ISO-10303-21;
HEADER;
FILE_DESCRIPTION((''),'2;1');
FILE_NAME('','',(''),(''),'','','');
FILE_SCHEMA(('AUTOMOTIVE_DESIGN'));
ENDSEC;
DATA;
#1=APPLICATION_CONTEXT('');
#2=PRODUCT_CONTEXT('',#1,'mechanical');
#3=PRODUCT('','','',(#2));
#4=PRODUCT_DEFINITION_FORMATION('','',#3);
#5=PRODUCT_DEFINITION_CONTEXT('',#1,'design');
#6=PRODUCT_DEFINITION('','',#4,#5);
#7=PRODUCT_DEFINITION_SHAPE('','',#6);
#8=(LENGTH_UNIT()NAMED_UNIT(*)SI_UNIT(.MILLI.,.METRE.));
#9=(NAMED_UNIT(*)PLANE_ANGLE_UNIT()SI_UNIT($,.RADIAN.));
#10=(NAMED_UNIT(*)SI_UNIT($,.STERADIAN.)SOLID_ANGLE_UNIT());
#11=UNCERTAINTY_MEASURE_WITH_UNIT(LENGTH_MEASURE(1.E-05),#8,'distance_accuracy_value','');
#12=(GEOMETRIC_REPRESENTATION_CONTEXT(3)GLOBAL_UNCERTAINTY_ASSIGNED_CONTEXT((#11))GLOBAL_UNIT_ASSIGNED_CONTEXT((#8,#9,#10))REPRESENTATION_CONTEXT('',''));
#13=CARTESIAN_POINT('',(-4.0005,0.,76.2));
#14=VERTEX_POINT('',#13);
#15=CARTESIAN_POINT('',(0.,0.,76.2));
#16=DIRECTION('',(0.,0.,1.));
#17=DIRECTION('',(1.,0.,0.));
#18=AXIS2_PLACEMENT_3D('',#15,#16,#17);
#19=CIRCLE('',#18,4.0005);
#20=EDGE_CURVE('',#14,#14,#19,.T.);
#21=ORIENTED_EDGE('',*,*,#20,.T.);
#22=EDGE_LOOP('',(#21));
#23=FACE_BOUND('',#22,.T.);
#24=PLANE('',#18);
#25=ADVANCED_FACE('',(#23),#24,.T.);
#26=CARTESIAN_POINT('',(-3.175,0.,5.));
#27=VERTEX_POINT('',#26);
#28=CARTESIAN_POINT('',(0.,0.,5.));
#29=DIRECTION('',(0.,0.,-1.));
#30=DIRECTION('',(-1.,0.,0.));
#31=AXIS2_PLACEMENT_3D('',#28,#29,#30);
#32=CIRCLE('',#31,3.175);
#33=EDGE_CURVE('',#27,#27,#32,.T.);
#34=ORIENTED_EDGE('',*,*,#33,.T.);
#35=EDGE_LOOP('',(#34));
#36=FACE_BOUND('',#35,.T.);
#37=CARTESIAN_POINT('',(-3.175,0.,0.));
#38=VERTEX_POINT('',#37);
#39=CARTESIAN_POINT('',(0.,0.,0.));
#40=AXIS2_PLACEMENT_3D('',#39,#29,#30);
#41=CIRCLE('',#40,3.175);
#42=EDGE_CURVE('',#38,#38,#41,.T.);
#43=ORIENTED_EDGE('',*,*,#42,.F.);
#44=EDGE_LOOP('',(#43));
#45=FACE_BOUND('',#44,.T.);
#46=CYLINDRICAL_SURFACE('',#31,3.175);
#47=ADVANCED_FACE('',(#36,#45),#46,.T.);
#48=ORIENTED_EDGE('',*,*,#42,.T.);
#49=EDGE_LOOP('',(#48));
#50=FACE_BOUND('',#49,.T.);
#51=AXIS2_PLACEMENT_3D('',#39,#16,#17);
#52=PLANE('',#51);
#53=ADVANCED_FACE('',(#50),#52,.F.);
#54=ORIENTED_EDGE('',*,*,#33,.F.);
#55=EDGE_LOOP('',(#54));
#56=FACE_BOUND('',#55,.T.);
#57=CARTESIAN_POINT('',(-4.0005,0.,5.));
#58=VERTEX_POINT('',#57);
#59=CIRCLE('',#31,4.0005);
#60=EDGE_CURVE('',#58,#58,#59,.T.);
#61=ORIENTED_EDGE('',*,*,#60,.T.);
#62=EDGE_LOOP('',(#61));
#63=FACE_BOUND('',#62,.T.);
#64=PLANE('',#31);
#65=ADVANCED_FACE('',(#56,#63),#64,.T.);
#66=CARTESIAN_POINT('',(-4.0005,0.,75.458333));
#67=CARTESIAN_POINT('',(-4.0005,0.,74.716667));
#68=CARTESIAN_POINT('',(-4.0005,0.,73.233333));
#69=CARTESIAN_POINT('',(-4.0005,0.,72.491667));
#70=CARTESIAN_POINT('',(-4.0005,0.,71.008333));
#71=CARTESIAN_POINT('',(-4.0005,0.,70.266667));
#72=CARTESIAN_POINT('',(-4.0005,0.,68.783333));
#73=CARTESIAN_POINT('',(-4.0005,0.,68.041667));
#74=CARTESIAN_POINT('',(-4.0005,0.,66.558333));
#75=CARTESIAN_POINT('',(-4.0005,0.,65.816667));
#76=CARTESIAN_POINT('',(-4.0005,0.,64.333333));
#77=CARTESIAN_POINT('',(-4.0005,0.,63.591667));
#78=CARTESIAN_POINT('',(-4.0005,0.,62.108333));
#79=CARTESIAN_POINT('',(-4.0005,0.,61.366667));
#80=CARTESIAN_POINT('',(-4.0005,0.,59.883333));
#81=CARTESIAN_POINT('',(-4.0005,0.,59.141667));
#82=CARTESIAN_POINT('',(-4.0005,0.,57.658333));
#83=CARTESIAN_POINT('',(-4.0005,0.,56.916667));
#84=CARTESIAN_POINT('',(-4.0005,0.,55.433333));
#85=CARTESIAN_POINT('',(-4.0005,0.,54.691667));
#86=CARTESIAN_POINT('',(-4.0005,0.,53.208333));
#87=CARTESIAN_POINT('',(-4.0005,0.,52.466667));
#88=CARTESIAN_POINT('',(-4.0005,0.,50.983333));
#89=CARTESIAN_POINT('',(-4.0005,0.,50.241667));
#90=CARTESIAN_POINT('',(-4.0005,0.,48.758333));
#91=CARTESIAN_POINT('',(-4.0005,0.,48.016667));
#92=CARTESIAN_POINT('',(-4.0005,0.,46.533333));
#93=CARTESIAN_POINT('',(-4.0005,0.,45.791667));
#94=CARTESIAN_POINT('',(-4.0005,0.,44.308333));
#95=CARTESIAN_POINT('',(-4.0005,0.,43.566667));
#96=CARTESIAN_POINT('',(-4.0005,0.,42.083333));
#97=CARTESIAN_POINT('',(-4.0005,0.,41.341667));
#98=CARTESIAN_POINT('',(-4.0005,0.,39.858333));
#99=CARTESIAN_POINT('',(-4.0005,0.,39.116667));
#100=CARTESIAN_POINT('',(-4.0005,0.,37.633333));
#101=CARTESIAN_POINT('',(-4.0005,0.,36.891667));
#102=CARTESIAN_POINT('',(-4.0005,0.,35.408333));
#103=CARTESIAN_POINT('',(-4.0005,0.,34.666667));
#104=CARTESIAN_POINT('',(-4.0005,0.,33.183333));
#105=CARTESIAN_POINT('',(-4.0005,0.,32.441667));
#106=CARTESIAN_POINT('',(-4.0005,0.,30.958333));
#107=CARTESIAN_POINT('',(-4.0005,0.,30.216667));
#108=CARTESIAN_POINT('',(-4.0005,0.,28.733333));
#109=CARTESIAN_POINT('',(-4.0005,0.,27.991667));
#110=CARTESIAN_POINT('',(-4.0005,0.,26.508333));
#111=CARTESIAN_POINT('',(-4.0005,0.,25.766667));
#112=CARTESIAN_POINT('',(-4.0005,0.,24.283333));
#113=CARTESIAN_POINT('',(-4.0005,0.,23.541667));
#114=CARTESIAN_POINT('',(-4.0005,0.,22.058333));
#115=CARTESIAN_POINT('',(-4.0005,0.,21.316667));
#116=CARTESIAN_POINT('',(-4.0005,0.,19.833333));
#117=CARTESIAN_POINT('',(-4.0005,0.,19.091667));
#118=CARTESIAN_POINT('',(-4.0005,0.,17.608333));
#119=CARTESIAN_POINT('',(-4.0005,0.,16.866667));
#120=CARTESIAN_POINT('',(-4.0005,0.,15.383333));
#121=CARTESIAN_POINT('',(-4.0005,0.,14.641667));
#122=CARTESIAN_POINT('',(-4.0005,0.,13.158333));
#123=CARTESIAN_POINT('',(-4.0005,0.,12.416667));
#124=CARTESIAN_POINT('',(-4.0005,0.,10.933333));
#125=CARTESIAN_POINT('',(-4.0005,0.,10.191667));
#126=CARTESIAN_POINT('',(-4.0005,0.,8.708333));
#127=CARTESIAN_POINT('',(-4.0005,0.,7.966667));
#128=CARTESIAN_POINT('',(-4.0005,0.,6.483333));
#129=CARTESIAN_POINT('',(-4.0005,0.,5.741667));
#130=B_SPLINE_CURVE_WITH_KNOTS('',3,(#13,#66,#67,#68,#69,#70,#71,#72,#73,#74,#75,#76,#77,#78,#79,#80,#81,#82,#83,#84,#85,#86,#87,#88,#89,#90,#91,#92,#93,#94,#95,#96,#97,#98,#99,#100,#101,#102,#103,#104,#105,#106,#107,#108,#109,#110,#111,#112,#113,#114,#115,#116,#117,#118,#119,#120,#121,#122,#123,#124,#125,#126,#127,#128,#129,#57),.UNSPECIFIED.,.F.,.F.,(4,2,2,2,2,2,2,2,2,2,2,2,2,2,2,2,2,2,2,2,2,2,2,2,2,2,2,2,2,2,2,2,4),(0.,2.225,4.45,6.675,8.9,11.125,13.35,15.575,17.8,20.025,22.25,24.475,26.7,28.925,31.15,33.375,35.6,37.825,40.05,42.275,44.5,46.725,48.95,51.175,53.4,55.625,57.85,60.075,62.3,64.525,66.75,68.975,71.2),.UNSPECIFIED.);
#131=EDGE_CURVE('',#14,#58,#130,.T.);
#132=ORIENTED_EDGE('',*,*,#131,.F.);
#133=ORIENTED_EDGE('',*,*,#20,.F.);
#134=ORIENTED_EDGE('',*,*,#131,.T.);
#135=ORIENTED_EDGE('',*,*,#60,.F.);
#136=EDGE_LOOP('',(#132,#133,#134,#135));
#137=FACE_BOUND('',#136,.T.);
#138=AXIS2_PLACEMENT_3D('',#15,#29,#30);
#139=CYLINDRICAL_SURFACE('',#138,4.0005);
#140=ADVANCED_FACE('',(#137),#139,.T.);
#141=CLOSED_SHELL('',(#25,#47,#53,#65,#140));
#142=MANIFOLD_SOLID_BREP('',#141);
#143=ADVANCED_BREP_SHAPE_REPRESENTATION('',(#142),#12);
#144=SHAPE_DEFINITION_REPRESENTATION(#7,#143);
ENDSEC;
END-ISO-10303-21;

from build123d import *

# Parameters (mm, degrees)
SKETCH1_R           = 4.0005
BOSS_EXTRUDE1_DEPTH = 76.2
SKETCH2_R           = 6.466915926
SKETCH2_R_2         = 3.175
CUT_EXTRUDE1_DEPTH  = 5


with BuildPart() as part:
    # Sketch1 → Boss-Extrude1 (new body)
    with BuildSketch(Plane.XY):
        with Locations(Location((0, 0, 0), (0, 0, 180))):
            Circle(SKETCH1_R)
    extrude(amount=BOSS_EXTRUDE1_DEPTH)

    # Sketch2 → Cut-Extrude1 (cut)
    with BuildSketch(Plane(origin=(0, 0, 0), x_dir=(-1, 0, 0), z_dir=(0, 0, -1))):
        Circle(SKETCH2_R)
        Circle(SKETCH2_R_2, mode=Mode.SUBTRACT)
    extrude(amount=-CUT_EXTRUDE1_DEPTH, mode=Mode.SUBTRACT)


solid = part.part
